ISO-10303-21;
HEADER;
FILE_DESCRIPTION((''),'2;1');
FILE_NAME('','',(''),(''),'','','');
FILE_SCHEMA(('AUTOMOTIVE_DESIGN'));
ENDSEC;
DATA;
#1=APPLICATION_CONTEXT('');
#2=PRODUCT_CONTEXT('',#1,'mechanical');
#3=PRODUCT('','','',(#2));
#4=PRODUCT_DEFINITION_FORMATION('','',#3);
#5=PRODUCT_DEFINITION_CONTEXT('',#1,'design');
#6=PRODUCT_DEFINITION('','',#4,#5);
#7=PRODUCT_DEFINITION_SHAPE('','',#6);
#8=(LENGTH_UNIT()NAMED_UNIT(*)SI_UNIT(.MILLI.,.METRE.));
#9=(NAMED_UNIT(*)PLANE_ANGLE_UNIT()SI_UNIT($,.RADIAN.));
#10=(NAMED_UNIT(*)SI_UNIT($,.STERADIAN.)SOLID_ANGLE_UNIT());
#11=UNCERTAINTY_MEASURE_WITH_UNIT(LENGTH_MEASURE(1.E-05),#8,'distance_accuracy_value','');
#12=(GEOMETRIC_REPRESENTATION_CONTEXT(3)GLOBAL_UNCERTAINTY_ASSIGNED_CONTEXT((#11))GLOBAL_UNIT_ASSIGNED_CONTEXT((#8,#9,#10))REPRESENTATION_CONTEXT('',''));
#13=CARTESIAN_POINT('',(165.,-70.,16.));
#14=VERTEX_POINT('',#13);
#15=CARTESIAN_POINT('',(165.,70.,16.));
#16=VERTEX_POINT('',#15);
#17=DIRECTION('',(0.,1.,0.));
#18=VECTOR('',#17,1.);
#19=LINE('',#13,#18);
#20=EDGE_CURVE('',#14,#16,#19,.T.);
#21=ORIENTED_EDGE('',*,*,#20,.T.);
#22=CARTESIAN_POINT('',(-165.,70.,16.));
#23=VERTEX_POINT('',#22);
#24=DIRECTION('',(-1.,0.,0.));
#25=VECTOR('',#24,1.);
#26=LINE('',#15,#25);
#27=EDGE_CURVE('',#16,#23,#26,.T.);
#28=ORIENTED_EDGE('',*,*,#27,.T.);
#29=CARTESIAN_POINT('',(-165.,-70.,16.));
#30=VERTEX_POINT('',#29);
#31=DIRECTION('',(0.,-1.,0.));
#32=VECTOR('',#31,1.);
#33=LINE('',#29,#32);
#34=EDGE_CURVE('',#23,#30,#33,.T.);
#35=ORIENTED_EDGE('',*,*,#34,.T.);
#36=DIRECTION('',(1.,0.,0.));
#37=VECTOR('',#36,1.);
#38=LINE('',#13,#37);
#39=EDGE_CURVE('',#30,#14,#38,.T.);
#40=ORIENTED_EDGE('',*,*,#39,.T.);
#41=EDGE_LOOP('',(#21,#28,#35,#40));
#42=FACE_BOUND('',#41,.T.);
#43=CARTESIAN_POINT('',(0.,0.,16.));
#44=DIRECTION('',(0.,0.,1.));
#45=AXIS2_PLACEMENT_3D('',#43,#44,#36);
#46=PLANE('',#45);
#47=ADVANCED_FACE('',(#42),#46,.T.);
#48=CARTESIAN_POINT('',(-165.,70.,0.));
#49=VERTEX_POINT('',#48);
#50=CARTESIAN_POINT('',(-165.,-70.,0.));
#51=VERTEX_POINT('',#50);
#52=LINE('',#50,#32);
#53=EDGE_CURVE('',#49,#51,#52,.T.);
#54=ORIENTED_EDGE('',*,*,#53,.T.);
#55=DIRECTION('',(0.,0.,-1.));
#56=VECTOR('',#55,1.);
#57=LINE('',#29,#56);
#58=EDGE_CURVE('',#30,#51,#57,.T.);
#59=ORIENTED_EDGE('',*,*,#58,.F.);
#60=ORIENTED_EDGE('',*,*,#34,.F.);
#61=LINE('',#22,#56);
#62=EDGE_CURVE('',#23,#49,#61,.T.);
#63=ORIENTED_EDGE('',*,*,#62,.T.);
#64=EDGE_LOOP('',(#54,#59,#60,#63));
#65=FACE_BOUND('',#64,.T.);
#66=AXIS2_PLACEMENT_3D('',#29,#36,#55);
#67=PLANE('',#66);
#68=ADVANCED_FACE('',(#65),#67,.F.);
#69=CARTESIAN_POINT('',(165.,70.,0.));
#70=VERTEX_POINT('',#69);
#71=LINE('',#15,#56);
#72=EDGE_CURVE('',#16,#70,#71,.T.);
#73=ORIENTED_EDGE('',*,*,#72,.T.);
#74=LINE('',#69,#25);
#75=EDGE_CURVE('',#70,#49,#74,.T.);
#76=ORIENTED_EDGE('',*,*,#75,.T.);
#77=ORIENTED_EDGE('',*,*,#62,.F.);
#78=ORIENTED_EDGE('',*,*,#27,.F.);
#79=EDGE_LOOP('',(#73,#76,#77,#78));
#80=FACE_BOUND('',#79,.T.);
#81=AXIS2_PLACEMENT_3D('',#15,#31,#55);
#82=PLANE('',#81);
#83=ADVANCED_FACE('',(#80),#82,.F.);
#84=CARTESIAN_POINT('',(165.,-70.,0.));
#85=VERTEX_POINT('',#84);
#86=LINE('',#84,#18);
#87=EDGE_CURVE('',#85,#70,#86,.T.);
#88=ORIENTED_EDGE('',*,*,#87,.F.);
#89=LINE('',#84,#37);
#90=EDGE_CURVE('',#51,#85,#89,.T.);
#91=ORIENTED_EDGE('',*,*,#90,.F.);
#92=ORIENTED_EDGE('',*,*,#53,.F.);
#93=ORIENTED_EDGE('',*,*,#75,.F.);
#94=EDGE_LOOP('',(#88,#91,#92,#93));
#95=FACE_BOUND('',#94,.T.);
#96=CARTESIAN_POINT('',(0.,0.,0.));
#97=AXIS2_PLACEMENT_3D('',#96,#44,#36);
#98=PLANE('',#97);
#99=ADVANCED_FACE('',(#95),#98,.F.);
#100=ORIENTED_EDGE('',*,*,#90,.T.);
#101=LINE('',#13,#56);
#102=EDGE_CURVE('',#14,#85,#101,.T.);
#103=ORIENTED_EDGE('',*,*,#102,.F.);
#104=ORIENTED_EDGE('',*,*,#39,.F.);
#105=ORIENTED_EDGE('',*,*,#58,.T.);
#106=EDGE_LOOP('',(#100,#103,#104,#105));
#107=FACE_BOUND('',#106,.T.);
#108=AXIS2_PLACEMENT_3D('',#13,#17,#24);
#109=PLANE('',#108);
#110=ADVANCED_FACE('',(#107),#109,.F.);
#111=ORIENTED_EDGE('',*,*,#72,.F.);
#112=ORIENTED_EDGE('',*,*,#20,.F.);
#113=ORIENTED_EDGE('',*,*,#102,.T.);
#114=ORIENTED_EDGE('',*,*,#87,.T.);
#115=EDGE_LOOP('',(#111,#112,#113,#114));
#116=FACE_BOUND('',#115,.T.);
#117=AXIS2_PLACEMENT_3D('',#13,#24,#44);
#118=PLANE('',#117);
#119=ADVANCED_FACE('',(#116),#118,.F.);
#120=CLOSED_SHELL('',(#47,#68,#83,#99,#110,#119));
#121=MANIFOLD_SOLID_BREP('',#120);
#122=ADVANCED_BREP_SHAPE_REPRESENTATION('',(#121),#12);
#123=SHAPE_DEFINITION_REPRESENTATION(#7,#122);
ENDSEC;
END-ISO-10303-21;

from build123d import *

# Parameters (mm, degrees)
SKETCH_1_W      = 330
SKETCH_1_H      = 140
EXTRUDE_1_DEPTH = 16


with BuildPart() as part:
    # 草图1 → 凸台-拉伸1 (new body)
    with BuildSketch(Plane.XY):
        Rectangle(SKETCH_1_W, SKETCH_1_H)
    extrude(amount=EXTRUDE_1_DEPTH)


solid = part.part
